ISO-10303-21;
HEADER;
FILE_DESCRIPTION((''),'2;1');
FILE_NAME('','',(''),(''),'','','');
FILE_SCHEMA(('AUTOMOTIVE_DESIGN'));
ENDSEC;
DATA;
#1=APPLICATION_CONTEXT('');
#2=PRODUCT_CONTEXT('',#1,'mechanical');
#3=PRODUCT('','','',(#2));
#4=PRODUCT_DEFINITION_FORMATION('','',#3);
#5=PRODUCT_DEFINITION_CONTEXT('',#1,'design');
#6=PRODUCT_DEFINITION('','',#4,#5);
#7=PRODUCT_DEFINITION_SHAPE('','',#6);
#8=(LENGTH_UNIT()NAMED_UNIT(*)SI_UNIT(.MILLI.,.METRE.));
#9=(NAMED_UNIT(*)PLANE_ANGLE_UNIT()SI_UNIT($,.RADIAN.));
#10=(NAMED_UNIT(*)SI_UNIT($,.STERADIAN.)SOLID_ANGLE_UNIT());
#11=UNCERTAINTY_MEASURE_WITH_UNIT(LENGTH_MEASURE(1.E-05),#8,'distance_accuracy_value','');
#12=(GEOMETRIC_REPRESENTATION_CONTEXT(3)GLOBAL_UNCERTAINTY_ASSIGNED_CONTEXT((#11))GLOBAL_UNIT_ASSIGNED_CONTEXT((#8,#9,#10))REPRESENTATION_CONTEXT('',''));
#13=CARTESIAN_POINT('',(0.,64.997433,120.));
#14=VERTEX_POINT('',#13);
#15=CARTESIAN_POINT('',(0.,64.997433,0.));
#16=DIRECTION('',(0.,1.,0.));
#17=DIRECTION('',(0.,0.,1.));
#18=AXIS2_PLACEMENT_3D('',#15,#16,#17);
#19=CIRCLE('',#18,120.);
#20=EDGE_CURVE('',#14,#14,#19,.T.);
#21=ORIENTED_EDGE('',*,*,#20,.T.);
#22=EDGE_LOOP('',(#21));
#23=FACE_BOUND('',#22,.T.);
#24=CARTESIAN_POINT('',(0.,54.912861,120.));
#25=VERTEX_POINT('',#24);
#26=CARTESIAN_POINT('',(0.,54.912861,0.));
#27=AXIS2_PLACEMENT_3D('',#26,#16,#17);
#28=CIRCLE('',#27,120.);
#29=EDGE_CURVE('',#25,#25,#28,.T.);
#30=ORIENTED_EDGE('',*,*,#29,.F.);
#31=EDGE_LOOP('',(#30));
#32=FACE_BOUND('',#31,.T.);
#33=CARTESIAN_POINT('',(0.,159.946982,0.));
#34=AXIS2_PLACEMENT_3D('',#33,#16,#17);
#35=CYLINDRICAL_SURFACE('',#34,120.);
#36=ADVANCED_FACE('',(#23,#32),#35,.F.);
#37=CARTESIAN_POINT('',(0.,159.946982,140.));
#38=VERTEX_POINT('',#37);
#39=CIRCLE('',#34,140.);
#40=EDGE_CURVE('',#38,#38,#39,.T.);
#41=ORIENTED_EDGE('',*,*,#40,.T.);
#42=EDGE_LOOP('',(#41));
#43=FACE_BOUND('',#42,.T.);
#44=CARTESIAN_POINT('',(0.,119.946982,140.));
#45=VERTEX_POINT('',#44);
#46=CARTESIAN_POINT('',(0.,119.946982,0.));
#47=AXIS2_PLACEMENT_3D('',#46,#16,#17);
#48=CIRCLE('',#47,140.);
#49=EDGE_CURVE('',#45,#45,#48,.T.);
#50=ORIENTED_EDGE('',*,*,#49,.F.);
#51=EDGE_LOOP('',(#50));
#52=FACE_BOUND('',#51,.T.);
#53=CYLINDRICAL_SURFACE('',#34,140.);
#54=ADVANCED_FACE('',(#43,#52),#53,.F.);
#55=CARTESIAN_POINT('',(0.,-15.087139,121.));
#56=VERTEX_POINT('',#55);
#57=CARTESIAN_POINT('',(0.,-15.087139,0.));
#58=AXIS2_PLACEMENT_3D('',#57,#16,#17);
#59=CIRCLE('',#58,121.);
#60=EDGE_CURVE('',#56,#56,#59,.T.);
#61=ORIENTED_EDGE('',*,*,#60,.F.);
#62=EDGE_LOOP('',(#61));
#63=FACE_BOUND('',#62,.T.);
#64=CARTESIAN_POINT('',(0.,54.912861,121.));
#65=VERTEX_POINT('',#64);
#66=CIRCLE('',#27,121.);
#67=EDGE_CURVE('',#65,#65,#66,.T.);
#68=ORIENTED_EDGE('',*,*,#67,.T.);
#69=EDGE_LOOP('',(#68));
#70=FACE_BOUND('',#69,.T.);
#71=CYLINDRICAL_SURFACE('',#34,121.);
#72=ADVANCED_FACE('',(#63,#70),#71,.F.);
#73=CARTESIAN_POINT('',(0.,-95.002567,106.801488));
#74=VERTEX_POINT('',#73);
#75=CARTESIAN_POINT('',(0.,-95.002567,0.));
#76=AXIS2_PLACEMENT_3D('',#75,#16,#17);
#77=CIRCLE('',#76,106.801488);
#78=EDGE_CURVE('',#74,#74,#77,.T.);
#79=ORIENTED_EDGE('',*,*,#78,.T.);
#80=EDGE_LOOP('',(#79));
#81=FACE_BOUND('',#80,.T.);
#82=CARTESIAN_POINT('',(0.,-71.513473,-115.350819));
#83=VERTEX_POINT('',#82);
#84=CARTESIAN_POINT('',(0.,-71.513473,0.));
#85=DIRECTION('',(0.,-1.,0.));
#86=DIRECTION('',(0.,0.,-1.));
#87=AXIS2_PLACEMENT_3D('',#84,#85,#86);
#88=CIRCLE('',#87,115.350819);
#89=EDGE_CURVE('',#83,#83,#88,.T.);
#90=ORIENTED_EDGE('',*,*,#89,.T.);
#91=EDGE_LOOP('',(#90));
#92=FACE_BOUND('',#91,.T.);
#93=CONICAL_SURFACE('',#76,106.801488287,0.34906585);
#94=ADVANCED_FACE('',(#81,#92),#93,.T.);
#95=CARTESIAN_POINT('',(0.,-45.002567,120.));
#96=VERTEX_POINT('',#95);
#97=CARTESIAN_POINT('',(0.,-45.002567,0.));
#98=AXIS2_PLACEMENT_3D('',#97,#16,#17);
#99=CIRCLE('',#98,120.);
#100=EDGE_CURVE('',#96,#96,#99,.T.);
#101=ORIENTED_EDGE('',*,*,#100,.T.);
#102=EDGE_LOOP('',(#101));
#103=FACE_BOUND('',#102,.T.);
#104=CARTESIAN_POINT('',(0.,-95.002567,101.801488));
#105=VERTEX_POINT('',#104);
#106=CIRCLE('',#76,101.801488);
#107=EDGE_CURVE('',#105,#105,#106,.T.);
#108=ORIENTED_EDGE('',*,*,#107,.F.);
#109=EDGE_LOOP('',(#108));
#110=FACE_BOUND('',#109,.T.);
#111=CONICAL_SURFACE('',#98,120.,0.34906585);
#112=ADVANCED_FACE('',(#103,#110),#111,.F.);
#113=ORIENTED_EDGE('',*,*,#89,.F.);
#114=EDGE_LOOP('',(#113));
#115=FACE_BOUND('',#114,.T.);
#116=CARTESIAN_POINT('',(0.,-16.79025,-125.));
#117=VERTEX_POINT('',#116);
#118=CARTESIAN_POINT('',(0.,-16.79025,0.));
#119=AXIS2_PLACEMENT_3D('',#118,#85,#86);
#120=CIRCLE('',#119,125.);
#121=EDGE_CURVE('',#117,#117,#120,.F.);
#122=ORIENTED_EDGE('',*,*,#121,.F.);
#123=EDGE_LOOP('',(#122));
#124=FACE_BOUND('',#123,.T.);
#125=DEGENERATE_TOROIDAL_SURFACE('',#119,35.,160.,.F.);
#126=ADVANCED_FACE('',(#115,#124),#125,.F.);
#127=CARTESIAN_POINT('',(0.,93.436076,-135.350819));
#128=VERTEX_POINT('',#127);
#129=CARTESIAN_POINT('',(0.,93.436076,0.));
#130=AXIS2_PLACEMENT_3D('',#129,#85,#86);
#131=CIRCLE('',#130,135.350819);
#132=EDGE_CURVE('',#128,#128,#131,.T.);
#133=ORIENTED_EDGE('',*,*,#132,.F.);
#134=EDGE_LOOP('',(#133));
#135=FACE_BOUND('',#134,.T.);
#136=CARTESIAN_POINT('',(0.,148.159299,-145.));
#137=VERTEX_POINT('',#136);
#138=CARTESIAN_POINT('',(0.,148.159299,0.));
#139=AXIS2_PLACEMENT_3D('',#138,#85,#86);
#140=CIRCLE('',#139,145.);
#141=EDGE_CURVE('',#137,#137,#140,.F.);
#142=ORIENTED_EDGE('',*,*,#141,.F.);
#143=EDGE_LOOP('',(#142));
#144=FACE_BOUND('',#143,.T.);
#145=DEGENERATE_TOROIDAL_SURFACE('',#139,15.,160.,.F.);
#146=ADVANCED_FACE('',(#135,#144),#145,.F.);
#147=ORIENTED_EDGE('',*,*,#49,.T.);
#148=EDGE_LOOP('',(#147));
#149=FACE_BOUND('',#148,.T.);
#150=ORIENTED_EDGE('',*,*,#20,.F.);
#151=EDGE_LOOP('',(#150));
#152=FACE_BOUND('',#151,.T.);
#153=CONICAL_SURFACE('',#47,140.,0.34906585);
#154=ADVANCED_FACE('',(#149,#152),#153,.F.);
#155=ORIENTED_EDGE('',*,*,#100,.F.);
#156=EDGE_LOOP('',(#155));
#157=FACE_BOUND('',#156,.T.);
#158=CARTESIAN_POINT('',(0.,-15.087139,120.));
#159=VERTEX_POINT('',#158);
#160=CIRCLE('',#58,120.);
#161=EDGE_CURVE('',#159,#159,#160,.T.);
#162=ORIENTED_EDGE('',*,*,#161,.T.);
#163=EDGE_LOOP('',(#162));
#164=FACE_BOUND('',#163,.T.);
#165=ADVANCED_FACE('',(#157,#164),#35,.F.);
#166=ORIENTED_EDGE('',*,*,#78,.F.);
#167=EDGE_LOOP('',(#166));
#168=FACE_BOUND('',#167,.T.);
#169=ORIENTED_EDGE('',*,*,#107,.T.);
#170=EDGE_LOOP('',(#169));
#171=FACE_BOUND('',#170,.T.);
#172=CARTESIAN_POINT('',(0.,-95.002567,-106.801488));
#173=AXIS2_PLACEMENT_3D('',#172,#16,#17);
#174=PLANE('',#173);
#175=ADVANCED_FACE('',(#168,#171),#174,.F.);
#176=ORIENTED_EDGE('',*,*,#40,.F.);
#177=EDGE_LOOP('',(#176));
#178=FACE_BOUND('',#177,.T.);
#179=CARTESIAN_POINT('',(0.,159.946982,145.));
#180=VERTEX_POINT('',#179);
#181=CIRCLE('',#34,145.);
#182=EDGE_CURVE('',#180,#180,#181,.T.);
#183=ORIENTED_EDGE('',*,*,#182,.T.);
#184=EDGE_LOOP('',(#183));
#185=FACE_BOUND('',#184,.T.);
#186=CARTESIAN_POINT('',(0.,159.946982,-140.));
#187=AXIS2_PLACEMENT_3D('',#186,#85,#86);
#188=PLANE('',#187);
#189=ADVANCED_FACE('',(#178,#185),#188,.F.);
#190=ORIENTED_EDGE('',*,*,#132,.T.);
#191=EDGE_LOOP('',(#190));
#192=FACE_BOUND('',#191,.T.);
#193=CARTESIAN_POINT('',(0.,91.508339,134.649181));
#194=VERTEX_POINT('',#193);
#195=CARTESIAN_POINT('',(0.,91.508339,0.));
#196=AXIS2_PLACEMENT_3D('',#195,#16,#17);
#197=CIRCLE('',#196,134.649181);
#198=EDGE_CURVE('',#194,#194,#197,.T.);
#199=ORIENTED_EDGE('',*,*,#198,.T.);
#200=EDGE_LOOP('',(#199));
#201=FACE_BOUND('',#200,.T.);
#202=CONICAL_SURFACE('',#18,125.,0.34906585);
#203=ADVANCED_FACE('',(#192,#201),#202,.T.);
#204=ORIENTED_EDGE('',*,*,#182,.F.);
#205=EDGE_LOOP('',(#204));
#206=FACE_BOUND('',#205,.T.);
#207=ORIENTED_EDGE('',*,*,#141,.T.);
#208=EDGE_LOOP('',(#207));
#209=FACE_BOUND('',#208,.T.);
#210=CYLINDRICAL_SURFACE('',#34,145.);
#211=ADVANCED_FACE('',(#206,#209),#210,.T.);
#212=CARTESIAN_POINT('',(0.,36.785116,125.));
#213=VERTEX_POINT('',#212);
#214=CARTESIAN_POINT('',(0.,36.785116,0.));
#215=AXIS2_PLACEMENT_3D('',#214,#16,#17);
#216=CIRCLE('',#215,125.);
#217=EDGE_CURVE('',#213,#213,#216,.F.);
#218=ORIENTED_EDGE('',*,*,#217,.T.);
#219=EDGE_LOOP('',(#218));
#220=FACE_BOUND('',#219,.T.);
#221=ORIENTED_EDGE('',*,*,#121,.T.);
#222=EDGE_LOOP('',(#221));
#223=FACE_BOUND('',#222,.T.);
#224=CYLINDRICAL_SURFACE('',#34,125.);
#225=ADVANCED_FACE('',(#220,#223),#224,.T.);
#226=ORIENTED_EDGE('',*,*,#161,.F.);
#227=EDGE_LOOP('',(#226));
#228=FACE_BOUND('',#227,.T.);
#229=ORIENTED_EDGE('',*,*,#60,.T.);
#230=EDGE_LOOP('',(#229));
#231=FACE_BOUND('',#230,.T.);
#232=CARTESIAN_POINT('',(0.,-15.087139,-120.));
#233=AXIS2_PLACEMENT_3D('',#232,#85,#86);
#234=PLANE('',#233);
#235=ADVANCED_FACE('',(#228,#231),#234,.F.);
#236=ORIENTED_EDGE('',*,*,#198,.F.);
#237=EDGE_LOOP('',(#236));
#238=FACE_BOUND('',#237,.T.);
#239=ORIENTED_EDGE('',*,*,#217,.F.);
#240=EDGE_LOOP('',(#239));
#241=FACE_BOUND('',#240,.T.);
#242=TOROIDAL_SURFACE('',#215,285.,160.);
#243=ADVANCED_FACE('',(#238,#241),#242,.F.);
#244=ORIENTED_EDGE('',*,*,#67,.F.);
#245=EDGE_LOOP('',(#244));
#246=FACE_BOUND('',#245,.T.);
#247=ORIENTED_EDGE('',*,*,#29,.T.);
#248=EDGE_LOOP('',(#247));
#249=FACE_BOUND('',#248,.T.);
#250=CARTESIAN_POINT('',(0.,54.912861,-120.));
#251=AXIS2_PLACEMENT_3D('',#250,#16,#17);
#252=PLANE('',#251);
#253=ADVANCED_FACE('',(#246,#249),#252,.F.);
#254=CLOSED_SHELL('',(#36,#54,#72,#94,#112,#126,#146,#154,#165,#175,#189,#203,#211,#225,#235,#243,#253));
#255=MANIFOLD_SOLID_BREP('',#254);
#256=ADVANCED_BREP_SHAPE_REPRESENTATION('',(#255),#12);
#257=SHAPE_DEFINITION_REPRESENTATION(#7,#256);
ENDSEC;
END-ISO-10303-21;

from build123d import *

# Parameters (mm, degrees)
FILLET1_R = 160


with BuildPart() as part:
    # Sketch1 → Revolve1 (revolve)
    with BuildSketch(Plane(origin=(0, 0, 0), x_dir=(0, 0, -1), z_dir=(1, 0, 0)), mode=Mode.PRIVATE) as revolve1_sk:
        Polygon((140, 159.946981615), (145, 159.946981615), (145, 119.946981615), (125, 64.997433226), (125, -45.002566774), (106.801488287, -95.002566774), (101.801488287, -95.002566774), (120, -45.002566774), (120, -15.087139211), (121, -15.087139211), (121, 54.912860789), (120, 54.912860789), (120, 64.997433226), (140, 119.946981615), align=None)
    revolve(revolve1_sk.sketch.rotate(Axis((0, 159.946981615, 0), (0, -1, 0)), 180), axis=Axis((0, 159.946981615, 0), (0, -1, 0)))

    # Fillet1
    fillet1_edges = [part.edges().sort_by_distance(p)[0] for p in [
        (0, -45.002566774, -125),
        (0, 64.997433226, -125),
        (0, 119.946981615, -145),
    ]]
    fillet(fillet1_edges, radius=FILLET1_R)


solid = part.part
